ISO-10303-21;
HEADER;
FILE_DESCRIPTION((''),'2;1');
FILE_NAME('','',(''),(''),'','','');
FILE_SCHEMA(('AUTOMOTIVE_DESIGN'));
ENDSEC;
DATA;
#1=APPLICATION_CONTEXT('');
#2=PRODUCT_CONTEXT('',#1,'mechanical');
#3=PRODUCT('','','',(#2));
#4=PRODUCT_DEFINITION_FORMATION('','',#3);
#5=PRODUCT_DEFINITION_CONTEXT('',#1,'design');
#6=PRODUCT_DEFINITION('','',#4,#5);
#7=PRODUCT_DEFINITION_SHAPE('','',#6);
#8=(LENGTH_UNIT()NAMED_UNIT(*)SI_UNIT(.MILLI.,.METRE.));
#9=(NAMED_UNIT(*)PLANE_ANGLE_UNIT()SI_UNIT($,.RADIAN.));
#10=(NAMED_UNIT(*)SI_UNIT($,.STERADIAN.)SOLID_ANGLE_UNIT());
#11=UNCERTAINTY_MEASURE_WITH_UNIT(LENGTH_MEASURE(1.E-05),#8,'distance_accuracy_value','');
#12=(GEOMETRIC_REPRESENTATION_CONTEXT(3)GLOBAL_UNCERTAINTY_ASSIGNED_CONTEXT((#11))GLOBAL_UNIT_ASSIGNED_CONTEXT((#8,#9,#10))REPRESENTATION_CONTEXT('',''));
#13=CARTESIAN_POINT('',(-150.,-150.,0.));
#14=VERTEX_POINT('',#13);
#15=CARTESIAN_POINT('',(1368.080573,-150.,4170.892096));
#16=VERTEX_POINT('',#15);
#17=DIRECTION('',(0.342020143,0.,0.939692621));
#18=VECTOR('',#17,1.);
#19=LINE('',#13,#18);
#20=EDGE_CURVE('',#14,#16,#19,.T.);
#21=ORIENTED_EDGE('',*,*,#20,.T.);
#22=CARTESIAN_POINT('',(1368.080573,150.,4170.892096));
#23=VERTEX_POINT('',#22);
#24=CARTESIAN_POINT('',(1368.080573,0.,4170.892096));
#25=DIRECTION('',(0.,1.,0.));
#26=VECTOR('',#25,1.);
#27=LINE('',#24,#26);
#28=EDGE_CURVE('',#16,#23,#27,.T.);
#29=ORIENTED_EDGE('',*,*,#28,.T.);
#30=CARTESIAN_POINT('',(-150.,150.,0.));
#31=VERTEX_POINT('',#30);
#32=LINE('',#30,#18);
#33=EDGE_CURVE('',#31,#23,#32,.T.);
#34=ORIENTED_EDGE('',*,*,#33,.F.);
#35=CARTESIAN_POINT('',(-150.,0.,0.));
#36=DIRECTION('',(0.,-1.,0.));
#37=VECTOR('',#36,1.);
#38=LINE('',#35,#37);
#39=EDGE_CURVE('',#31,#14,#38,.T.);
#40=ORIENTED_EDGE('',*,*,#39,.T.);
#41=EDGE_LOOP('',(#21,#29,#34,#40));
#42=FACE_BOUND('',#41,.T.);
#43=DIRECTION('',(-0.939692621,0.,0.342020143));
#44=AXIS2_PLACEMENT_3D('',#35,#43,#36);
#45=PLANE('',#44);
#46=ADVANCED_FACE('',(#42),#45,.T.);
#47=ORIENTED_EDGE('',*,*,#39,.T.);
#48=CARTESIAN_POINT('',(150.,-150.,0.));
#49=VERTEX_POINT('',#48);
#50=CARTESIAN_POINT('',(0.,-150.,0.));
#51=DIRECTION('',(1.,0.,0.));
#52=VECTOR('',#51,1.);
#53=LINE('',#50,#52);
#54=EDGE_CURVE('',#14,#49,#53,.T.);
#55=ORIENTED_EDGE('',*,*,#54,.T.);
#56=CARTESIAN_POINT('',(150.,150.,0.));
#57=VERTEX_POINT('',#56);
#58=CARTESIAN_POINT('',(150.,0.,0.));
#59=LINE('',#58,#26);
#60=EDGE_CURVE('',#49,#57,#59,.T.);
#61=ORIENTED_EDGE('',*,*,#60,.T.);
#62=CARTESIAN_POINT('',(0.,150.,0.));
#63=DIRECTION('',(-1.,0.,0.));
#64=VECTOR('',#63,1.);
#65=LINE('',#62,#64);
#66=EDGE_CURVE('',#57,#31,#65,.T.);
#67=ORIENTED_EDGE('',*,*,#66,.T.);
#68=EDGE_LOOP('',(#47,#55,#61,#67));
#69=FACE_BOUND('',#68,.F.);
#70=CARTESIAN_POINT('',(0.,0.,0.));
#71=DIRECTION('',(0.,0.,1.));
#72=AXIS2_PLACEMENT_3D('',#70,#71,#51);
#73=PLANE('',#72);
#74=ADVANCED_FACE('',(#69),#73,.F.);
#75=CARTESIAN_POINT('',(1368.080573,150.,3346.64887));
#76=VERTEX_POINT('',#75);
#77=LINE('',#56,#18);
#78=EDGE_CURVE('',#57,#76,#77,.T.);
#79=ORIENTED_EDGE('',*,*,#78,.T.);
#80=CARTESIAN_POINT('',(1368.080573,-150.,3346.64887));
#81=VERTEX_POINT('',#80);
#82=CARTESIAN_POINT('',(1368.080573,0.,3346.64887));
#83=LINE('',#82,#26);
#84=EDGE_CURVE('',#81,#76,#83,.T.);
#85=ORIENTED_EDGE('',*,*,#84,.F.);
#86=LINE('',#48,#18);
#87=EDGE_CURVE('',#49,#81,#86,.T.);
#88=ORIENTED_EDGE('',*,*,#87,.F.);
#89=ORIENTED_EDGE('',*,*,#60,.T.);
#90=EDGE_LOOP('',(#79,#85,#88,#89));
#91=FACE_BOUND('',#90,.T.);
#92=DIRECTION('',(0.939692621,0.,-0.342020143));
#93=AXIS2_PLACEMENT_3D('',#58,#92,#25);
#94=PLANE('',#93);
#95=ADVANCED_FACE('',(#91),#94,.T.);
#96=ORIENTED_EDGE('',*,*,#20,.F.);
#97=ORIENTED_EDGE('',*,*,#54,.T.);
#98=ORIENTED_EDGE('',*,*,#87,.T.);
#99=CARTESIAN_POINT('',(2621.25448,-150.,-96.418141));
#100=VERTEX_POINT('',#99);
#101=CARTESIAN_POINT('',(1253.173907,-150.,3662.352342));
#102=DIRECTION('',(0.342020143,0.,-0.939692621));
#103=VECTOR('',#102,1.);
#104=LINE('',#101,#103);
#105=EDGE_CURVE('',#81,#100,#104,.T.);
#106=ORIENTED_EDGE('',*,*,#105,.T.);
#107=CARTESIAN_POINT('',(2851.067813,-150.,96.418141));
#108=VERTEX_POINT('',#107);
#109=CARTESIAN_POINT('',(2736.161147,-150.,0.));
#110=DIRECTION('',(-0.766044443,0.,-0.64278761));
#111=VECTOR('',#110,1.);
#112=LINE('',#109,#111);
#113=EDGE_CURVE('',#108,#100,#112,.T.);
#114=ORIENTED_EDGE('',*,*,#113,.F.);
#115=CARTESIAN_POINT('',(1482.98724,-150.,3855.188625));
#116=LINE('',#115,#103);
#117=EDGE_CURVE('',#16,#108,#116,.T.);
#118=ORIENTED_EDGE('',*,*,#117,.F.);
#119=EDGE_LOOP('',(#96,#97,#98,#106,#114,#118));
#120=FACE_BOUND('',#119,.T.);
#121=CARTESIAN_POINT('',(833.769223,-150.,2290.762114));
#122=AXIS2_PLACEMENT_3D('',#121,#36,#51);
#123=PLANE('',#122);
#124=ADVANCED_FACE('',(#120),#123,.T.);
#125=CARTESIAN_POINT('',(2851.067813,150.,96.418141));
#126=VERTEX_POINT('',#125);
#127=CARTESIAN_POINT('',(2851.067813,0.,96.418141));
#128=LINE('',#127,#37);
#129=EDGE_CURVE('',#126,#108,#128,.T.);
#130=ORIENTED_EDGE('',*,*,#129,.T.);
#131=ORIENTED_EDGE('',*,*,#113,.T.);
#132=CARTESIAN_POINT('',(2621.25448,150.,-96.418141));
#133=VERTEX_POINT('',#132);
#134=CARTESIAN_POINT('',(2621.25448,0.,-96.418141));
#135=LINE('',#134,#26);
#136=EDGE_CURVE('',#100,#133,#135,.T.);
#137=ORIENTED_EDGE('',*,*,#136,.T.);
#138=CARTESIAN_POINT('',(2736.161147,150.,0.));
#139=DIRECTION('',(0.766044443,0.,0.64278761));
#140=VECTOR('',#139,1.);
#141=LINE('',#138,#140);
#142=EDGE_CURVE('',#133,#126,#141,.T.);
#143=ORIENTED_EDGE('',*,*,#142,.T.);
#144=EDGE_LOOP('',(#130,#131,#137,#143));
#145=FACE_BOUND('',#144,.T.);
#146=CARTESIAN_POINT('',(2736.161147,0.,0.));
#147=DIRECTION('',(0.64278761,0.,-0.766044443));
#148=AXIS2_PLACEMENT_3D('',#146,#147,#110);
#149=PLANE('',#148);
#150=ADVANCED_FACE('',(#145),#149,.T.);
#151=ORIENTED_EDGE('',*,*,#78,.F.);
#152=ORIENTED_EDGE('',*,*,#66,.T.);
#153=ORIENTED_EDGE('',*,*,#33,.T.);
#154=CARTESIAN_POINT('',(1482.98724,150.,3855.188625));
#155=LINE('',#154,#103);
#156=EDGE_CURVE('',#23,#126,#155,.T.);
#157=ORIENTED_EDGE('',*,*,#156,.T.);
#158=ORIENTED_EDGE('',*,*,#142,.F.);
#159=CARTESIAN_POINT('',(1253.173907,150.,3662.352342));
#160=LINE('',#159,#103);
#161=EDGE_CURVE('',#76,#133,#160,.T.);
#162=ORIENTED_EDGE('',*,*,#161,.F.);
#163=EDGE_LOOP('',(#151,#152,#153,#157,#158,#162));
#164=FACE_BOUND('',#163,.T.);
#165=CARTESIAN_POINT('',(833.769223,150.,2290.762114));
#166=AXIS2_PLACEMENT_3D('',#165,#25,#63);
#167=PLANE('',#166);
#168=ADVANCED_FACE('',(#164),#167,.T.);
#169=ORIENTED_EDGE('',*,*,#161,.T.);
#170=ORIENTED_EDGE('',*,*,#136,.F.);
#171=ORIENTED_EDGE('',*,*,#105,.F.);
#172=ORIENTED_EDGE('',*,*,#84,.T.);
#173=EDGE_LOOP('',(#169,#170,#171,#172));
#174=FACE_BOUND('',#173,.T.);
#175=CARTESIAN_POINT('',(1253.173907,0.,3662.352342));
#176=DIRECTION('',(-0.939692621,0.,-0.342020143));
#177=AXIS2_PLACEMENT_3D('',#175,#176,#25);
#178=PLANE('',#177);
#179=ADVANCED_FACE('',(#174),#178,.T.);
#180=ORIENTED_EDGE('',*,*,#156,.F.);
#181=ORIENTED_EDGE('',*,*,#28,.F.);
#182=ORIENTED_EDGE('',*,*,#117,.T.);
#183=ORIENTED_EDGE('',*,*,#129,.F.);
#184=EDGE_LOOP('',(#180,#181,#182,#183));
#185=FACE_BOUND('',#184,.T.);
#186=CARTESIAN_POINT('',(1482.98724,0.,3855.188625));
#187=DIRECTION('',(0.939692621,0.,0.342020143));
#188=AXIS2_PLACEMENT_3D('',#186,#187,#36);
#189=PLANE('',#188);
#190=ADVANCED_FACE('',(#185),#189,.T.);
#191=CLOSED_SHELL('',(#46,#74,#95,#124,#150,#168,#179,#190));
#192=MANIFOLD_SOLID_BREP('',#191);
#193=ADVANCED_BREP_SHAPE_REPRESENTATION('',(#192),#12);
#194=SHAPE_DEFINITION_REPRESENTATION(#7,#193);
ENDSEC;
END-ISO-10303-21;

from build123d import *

# Parameters (mm, degrees)
F0_W = 300
F0_H = 300


with BuildPart() as f2:
    # F2: sweep along a path in F1
    with BuildLine(Plane.XZ) as f2_path:
        Line((0, 0), (1368.0805733027, 3758.7704831436))
        Line((1368.0805733027, 3758.7704831436), (2736.1611466053, 0))
    # F0 (on Top) → F2 (sweep)
    with BuildSketch(Plane.XY):
        Rectangle(F0_W, F0_H)
    sweep(path=f2_path.line, transition=Transition.RIGHT)


solid = f2.part
